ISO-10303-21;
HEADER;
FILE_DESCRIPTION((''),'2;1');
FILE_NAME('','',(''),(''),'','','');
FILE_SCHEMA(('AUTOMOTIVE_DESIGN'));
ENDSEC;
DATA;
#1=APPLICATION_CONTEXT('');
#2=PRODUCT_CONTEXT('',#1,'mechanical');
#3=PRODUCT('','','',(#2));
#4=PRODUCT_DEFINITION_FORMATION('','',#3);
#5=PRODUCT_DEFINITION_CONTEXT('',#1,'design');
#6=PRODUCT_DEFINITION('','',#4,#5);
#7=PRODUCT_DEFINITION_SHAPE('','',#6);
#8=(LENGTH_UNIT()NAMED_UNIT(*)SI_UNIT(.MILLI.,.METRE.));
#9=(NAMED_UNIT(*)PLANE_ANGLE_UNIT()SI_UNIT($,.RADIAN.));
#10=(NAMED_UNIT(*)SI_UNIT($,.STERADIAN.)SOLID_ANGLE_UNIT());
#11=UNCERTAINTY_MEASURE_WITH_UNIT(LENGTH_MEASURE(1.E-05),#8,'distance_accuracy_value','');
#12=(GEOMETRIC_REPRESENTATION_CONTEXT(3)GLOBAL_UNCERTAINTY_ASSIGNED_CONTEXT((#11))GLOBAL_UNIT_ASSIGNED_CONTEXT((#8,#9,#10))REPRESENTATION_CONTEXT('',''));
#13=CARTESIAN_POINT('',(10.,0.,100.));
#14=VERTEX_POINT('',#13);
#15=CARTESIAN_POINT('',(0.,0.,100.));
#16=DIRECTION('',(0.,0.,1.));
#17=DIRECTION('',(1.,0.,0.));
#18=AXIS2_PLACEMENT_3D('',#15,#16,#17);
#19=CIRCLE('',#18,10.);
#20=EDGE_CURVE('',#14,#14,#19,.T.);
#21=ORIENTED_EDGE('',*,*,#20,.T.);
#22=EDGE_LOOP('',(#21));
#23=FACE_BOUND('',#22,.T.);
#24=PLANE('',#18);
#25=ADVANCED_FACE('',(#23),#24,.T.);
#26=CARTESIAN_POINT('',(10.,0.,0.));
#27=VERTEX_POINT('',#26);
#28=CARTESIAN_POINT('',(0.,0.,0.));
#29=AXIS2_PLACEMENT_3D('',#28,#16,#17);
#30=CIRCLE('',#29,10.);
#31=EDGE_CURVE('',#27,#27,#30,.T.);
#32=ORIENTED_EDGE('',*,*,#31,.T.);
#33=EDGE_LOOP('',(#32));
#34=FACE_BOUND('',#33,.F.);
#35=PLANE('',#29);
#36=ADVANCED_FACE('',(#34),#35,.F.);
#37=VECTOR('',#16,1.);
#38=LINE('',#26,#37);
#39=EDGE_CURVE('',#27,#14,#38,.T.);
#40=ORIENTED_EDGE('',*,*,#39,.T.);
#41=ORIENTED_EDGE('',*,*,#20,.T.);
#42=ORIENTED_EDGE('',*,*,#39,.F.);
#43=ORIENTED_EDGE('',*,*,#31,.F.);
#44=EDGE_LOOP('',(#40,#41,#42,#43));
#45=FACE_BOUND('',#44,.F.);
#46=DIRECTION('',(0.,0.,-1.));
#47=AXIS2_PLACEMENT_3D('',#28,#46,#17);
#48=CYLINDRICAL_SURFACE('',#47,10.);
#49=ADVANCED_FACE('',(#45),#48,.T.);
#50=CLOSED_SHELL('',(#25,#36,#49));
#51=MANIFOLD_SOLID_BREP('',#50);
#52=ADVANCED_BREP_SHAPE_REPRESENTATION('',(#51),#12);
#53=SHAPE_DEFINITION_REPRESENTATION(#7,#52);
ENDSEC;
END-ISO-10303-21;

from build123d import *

# Parameters (mm, degrees)
ESQUISSE1_R        = 10
BOSS_EXTRU_1_DEPTH = 100


with BuildPart() as part:
    # Esquisse1 → Boss.-Extru.1 (new body)
    with BuildSketch(Plane.XY):
        Circle(ESQUISSE1_R)
    extrude(amount=BOSS_EXTRU_1_DEPTH)


solid = part.part
